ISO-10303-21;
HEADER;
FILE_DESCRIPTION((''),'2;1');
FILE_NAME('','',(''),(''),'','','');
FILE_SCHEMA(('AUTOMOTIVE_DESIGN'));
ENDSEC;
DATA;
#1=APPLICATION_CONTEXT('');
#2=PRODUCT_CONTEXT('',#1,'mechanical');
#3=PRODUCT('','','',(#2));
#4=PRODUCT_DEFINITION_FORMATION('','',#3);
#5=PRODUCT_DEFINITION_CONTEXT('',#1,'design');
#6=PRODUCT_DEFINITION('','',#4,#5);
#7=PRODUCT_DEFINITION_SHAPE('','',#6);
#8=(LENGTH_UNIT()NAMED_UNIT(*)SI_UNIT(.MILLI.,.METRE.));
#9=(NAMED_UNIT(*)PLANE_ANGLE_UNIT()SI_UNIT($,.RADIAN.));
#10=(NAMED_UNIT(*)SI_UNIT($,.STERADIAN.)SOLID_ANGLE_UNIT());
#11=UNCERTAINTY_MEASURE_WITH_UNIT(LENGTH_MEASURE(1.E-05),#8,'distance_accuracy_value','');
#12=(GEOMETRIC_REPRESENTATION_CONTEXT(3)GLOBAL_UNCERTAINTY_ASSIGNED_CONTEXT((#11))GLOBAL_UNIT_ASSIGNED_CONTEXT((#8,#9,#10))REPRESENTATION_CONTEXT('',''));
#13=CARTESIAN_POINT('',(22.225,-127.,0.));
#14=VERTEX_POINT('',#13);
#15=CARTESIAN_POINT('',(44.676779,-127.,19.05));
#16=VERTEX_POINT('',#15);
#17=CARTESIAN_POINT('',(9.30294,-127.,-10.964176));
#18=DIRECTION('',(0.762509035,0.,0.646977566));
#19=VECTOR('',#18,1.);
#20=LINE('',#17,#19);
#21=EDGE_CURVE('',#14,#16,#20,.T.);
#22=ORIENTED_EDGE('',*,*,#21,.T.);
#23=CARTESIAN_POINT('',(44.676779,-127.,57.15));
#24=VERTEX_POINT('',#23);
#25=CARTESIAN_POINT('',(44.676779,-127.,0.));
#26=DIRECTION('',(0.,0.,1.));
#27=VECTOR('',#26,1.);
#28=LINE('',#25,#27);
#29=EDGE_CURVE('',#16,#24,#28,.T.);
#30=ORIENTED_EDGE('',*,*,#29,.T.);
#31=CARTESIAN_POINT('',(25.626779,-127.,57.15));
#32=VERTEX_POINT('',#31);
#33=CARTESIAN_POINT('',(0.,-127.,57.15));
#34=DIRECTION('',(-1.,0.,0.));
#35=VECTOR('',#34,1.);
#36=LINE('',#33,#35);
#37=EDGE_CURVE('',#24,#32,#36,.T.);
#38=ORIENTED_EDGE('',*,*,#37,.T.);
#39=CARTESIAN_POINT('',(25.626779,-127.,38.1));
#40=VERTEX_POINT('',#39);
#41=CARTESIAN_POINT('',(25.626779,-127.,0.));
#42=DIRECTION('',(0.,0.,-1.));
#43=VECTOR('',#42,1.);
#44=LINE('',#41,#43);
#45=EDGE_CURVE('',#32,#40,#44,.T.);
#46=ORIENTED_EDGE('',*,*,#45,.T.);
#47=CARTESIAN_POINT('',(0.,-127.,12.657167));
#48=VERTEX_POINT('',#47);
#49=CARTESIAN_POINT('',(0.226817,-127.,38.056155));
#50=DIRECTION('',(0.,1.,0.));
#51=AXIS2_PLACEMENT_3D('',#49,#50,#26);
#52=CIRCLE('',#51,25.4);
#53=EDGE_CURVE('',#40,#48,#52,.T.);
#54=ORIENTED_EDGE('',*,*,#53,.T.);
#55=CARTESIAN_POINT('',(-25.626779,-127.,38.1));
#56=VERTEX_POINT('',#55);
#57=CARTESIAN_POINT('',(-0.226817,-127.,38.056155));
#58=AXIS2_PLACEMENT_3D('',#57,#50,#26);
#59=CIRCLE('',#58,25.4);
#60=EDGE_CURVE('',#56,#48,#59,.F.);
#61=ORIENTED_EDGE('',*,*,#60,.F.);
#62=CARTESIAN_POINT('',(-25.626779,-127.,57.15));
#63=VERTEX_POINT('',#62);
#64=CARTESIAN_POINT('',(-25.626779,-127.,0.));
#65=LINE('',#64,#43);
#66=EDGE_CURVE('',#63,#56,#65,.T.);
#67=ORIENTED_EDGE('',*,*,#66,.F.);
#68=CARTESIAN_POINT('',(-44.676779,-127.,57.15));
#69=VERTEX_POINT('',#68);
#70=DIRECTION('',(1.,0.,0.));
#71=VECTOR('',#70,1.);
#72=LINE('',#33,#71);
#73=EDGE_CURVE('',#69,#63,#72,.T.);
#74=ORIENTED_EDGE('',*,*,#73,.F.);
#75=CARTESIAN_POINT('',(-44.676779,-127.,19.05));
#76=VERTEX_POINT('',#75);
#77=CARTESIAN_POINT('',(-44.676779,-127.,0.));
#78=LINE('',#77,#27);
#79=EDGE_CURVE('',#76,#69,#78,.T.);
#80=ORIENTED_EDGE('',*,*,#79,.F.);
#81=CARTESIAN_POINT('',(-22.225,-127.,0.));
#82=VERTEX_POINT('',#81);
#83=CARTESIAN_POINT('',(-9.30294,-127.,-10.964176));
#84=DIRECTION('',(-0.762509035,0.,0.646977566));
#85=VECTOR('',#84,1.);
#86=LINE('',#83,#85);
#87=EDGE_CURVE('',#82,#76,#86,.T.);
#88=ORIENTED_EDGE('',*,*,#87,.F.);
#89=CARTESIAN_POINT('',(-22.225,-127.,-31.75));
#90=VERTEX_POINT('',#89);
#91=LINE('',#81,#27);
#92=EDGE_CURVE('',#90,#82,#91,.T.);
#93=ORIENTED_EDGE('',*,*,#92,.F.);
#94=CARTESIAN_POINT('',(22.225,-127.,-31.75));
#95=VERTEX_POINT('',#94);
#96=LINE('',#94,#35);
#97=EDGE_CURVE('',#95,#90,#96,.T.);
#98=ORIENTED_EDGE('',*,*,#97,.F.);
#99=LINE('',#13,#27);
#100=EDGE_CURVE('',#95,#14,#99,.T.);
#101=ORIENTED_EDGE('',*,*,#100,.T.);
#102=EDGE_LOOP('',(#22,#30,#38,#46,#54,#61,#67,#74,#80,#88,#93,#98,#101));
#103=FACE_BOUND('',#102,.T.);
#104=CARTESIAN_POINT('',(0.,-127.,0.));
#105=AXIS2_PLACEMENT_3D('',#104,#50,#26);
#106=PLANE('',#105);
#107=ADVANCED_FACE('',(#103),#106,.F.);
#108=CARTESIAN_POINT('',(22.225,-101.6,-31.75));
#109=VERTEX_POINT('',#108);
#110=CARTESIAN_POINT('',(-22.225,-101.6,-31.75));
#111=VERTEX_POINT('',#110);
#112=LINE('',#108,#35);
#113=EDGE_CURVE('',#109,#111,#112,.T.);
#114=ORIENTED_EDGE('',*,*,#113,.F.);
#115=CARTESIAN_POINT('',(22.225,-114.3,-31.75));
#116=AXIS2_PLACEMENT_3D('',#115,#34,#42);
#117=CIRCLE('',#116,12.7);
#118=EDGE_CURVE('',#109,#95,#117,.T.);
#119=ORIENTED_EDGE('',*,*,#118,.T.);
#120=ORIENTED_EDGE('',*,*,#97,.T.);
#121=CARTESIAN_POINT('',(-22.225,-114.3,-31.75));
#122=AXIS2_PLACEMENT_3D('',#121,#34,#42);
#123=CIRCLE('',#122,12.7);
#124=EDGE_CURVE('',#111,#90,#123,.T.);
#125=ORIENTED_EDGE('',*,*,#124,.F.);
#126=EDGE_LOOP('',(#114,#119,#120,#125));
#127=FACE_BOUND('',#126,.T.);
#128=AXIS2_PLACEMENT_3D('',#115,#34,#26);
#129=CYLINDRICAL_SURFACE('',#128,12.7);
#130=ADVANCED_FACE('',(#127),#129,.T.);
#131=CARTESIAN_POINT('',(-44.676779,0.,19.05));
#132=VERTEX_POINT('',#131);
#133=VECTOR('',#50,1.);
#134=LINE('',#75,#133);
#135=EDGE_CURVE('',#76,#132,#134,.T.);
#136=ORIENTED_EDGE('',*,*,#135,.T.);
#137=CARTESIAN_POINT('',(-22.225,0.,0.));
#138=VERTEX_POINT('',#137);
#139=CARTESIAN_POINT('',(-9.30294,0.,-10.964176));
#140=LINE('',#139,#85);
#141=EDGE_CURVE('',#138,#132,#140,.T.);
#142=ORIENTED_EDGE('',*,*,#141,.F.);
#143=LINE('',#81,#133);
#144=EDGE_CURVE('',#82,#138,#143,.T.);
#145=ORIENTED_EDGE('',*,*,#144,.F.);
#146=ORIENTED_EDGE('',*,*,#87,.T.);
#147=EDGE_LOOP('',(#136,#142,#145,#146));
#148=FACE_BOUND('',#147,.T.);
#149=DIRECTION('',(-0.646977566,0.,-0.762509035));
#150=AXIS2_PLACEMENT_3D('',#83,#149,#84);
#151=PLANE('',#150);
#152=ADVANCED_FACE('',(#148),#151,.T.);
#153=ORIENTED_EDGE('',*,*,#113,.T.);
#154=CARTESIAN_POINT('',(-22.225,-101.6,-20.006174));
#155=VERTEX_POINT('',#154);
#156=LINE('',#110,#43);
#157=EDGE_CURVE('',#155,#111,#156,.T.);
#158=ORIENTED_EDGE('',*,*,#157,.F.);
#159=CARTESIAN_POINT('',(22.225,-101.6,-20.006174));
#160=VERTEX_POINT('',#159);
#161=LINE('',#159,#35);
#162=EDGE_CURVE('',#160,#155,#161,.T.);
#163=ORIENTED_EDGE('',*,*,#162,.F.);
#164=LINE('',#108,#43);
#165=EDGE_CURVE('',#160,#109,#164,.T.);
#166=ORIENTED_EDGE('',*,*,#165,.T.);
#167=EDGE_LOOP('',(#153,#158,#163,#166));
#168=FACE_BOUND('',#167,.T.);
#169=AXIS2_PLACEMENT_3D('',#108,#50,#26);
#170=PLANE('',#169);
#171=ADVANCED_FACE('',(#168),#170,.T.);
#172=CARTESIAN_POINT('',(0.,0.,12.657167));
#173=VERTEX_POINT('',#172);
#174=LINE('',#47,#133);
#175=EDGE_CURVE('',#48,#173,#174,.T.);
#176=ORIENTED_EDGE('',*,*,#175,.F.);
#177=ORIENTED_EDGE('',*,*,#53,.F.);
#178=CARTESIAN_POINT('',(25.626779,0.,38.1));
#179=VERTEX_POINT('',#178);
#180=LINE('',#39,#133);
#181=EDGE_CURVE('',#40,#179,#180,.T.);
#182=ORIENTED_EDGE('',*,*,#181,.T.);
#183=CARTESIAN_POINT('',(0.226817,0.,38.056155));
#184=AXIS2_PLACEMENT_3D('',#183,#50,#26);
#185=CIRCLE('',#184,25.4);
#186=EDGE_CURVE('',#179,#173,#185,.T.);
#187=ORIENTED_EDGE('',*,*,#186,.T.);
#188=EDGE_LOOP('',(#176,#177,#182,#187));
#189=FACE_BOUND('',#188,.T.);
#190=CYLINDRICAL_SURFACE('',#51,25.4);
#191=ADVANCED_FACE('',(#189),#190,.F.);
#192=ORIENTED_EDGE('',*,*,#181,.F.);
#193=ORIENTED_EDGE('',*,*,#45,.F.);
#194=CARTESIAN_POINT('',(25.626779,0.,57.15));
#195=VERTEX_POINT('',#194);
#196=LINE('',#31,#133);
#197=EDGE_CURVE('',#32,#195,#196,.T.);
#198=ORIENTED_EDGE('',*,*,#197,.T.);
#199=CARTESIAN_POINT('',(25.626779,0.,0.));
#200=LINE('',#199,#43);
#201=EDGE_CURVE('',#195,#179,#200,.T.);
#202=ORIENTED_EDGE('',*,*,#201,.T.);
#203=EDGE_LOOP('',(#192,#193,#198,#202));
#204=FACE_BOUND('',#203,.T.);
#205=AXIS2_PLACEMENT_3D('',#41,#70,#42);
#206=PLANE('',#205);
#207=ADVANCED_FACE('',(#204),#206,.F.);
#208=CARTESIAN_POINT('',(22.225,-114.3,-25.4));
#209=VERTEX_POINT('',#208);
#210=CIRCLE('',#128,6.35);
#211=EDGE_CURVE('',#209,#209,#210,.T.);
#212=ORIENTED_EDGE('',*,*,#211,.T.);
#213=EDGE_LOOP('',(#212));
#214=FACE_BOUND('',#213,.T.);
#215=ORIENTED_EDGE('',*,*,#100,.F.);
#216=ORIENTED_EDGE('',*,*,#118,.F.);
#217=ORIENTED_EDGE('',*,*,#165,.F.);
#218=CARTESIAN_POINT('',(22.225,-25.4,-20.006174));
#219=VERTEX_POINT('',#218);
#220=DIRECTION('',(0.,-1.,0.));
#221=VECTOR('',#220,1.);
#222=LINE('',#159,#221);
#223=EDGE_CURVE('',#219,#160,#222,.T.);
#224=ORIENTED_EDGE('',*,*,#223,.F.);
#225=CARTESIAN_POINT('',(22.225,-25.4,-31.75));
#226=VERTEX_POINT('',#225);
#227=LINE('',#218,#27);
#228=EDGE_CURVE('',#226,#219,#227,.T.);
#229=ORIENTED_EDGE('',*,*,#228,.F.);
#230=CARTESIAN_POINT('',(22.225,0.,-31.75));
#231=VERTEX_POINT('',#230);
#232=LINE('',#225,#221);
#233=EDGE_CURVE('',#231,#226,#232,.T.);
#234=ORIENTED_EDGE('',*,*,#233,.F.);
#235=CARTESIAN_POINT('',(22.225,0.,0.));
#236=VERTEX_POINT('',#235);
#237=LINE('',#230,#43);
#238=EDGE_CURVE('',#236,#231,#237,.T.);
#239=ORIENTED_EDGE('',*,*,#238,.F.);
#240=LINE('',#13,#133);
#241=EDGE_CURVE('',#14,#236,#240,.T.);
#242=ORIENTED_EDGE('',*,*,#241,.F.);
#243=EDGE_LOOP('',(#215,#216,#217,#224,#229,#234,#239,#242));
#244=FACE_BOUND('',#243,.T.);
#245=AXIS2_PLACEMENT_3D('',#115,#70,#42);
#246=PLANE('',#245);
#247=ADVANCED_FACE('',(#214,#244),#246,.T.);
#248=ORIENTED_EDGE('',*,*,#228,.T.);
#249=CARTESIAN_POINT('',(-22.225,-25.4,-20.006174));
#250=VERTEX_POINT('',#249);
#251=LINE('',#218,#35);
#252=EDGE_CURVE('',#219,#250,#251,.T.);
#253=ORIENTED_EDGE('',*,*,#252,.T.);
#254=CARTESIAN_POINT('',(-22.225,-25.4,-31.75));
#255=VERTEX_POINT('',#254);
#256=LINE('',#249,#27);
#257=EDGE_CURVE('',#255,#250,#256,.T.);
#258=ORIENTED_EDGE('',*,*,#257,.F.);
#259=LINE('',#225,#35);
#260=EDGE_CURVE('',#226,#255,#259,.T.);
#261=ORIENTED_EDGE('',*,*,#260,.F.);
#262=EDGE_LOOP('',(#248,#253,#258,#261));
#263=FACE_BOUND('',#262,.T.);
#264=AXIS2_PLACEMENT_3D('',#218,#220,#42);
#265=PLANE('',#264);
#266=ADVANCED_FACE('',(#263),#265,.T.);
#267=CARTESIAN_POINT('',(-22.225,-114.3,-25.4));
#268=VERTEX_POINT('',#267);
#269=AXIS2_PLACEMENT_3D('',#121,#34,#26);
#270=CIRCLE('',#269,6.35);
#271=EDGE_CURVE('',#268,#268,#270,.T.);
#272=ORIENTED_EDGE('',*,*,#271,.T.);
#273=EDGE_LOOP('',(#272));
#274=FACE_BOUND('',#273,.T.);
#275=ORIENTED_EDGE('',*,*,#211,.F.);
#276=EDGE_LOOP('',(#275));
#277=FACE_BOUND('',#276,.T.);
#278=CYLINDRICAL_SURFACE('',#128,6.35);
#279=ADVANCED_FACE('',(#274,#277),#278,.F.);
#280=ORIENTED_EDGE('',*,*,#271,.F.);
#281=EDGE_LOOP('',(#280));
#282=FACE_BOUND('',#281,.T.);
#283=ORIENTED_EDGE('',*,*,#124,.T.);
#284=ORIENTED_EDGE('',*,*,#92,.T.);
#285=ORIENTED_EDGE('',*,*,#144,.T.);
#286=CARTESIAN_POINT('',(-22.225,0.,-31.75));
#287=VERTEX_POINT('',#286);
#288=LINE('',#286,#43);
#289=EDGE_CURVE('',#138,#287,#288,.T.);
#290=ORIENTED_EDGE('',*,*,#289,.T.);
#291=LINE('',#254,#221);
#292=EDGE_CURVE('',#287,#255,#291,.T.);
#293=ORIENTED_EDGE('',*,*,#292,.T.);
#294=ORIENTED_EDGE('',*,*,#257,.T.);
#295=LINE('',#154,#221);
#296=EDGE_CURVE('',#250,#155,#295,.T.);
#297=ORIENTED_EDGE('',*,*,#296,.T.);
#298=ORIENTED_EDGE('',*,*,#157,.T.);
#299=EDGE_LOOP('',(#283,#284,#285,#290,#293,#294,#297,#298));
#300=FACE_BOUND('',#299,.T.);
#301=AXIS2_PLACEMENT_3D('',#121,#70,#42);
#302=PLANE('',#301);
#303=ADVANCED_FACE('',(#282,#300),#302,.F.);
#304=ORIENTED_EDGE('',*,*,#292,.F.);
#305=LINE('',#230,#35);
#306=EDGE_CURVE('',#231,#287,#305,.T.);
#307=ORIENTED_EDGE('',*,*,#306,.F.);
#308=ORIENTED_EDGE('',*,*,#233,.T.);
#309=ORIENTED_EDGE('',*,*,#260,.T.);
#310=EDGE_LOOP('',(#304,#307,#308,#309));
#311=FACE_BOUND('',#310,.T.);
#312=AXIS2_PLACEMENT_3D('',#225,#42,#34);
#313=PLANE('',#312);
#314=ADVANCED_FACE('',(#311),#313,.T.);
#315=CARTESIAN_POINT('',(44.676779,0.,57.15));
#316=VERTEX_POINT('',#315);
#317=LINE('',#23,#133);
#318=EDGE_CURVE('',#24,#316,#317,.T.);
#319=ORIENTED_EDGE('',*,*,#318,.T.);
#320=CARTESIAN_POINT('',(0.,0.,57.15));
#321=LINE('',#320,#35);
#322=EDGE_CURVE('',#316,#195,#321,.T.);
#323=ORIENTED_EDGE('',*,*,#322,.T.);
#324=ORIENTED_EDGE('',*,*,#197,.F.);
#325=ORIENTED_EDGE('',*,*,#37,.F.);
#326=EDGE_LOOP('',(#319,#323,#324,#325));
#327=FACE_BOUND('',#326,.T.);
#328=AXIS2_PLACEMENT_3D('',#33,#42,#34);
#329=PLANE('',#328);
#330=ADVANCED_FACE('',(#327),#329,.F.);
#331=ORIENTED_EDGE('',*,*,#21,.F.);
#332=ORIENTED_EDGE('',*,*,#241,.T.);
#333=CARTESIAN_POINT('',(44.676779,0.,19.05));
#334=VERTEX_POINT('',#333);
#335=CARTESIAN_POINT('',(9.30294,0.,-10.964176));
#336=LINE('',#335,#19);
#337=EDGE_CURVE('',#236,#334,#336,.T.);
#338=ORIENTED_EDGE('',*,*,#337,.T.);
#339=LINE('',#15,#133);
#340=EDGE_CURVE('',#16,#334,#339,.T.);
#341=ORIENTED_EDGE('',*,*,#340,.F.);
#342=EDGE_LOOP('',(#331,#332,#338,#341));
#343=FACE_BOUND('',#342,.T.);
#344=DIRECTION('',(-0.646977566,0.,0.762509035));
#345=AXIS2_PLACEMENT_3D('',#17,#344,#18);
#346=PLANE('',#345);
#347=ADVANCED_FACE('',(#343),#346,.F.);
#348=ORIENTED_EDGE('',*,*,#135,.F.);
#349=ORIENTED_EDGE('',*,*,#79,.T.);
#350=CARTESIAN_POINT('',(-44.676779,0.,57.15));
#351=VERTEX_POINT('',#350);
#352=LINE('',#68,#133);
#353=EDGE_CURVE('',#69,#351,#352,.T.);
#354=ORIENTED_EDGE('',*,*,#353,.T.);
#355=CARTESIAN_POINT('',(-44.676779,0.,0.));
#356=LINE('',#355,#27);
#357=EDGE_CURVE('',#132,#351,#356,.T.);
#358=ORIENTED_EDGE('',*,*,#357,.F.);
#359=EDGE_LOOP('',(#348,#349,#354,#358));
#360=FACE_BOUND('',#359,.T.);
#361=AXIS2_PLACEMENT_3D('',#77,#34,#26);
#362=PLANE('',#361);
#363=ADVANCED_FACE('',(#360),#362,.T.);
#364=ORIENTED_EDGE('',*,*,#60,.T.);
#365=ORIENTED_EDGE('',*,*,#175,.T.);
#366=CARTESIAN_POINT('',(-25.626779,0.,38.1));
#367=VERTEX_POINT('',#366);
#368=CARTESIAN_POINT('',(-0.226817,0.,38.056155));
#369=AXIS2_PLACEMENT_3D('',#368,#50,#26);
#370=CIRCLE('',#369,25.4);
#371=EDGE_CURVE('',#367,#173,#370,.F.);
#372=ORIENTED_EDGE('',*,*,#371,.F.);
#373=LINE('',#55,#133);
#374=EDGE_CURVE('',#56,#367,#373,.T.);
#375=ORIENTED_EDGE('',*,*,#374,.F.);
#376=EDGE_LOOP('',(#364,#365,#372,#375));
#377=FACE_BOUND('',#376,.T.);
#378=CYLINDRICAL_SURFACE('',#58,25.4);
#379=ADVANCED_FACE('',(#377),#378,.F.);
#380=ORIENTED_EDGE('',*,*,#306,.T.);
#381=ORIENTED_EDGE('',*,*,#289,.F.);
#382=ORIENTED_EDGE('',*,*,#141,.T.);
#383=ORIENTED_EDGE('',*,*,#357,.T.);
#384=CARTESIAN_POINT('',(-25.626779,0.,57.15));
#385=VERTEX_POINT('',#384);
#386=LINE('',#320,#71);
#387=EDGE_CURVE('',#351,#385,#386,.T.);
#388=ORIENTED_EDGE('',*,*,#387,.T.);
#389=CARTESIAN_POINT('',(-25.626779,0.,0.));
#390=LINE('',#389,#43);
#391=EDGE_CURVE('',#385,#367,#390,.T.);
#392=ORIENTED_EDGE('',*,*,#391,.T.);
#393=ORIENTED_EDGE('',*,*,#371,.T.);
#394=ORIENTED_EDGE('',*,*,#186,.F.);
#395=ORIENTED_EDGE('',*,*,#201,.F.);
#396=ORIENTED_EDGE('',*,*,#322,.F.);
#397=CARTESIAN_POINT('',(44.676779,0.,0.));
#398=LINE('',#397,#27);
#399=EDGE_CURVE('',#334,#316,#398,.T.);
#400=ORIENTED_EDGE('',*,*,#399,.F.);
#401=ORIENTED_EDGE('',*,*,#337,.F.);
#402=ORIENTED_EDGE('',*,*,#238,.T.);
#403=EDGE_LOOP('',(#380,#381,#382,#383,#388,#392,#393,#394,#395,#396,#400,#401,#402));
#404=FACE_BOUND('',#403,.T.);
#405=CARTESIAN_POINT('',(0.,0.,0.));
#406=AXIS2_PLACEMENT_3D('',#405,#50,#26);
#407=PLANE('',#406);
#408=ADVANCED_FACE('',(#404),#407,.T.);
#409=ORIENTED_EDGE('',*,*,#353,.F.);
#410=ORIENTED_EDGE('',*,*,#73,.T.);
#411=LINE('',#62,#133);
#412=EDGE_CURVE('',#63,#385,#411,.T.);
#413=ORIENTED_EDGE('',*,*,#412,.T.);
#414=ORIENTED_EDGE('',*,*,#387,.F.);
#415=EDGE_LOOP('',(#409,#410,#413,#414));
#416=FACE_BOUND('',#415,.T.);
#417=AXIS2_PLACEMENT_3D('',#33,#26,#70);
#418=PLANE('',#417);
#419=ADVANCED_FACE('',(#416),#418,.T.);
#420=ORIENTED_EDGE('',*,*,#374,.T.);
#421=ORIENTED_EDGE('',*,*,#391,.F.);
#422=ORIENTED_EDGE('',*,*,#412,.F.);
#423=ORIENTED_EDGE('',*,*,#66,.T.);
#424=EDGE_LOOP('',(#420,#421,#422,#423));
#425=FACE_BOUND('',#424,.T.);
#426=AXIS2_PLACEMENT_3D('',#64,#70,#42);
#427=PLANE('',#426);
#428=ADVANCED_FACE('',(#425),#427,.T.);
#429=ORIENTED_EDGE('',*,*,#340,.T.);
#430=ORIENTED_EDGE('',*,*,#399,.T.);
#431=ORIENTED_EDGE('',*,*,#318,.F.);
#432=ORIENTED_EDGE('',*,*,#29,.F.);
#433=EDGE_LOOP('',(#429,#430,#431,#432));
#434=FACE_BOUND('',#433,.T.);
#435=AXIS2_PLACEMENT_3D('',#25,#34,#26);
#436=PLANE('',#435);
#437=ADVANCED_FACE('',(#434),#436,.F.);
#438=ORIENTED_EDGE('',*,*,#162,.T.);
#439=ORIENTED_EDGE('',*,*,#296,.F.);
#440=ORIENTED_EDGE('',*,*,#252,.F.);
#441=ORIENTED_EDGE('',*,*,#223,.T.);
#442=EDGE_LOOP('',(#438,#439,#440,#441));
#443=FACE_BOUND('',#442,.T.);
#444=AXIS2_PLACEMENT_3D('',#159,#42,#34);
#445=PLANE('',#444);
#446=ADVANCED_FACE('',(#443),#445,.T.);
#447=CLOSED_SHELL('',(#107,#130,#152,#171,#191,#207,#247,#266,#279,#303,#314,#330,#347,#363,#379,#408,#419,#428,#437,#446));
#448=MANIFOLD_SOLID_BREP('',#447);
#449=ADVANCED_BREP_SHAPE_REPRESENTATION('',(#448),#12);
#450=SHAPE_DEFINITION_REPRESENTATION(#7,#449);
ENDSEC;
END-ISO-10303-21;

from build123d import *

# Parameters (mm, degrees)
BOSS_EXTRUDE1_DEPTH = 127
SKETCH2_R           = 6.35
BOSS_EXTRUDE3_DEPTH = 44.45


with BuildPart() as part:
    # Sketch1 → Boss-Extrude1 (new body)
    with BuildSketch(Plane(origin=(0, 0, 0), x_dir=(1, 0, 0), z_dir=(0, 1, 0))):
        with BuildLine():
            ThreePointArc((25.626778658, -38.1), (18.122521252, -20.031067918), (0, -12.657167374))
            ThreePointArc((0, -12.657167374), (-18.122521252, -20.031067918), (-25.626778658, -38.1))
            Line((-25.626778658, -38.1), (-25.626778658, -57.15))
            Line((-25.626778658, -57.15), (-44.676778658, -57.15))
            Line((-44.676778658, -57.15), (-44.676778658, -19.05))
            Line((-44.676778658, -19.05), (-22.225, 0))
            Line((-22.225, 0), (22.225, 0))
            Line((22.225, 0), (44.676778658, -19.05))
            Line((44.676778658, -19.05), (44.676778658, -57.15))
            Line((44.676778658, -57.15), (25.626778658, -57.15))
            Line((25.626778658, -57.15), (25.626778658, -38.1))
        make_face()
    extrude(amount=-BOSS_EXTRUDE1_DEPTH)

    # Sketch2 → Boss-Extrude3 (add)
    with BuildSketch(Plane(origin=(-22.225, 0, 0), x_dir=(0, 1, 0), z_dir=(-1, 0, 0))):
        with BuildLine():
            Line((-127, 0), (-127, 31.75))
            ThreePointArc((-127, 31.75), (-114.3, 44.45), (-101.6, 31.75))
            Line((-101.6, 31.75), (-101.6, 20.00617362))
            Line((-101.6, 20.00617362), (-25.4, 20.00617362))
            Line((-25.4, 20.00617362), (-25.4, 31.75))
            Line((-25.4, 31.75), (0, 31.75))
            Line((0, 31.75), (0, 0))
            Line((0, 0), (-127, 0))
        make_face()
        with Locations(Location((-114.3, 31.75, 0), (0, 0, 270))):
            Circle(SKETCH2_R, mode=Mode.SUBTRACT)
    extrude(amount=-BOSS_EXTRUDE3_DEPTH)


solid = part.part
